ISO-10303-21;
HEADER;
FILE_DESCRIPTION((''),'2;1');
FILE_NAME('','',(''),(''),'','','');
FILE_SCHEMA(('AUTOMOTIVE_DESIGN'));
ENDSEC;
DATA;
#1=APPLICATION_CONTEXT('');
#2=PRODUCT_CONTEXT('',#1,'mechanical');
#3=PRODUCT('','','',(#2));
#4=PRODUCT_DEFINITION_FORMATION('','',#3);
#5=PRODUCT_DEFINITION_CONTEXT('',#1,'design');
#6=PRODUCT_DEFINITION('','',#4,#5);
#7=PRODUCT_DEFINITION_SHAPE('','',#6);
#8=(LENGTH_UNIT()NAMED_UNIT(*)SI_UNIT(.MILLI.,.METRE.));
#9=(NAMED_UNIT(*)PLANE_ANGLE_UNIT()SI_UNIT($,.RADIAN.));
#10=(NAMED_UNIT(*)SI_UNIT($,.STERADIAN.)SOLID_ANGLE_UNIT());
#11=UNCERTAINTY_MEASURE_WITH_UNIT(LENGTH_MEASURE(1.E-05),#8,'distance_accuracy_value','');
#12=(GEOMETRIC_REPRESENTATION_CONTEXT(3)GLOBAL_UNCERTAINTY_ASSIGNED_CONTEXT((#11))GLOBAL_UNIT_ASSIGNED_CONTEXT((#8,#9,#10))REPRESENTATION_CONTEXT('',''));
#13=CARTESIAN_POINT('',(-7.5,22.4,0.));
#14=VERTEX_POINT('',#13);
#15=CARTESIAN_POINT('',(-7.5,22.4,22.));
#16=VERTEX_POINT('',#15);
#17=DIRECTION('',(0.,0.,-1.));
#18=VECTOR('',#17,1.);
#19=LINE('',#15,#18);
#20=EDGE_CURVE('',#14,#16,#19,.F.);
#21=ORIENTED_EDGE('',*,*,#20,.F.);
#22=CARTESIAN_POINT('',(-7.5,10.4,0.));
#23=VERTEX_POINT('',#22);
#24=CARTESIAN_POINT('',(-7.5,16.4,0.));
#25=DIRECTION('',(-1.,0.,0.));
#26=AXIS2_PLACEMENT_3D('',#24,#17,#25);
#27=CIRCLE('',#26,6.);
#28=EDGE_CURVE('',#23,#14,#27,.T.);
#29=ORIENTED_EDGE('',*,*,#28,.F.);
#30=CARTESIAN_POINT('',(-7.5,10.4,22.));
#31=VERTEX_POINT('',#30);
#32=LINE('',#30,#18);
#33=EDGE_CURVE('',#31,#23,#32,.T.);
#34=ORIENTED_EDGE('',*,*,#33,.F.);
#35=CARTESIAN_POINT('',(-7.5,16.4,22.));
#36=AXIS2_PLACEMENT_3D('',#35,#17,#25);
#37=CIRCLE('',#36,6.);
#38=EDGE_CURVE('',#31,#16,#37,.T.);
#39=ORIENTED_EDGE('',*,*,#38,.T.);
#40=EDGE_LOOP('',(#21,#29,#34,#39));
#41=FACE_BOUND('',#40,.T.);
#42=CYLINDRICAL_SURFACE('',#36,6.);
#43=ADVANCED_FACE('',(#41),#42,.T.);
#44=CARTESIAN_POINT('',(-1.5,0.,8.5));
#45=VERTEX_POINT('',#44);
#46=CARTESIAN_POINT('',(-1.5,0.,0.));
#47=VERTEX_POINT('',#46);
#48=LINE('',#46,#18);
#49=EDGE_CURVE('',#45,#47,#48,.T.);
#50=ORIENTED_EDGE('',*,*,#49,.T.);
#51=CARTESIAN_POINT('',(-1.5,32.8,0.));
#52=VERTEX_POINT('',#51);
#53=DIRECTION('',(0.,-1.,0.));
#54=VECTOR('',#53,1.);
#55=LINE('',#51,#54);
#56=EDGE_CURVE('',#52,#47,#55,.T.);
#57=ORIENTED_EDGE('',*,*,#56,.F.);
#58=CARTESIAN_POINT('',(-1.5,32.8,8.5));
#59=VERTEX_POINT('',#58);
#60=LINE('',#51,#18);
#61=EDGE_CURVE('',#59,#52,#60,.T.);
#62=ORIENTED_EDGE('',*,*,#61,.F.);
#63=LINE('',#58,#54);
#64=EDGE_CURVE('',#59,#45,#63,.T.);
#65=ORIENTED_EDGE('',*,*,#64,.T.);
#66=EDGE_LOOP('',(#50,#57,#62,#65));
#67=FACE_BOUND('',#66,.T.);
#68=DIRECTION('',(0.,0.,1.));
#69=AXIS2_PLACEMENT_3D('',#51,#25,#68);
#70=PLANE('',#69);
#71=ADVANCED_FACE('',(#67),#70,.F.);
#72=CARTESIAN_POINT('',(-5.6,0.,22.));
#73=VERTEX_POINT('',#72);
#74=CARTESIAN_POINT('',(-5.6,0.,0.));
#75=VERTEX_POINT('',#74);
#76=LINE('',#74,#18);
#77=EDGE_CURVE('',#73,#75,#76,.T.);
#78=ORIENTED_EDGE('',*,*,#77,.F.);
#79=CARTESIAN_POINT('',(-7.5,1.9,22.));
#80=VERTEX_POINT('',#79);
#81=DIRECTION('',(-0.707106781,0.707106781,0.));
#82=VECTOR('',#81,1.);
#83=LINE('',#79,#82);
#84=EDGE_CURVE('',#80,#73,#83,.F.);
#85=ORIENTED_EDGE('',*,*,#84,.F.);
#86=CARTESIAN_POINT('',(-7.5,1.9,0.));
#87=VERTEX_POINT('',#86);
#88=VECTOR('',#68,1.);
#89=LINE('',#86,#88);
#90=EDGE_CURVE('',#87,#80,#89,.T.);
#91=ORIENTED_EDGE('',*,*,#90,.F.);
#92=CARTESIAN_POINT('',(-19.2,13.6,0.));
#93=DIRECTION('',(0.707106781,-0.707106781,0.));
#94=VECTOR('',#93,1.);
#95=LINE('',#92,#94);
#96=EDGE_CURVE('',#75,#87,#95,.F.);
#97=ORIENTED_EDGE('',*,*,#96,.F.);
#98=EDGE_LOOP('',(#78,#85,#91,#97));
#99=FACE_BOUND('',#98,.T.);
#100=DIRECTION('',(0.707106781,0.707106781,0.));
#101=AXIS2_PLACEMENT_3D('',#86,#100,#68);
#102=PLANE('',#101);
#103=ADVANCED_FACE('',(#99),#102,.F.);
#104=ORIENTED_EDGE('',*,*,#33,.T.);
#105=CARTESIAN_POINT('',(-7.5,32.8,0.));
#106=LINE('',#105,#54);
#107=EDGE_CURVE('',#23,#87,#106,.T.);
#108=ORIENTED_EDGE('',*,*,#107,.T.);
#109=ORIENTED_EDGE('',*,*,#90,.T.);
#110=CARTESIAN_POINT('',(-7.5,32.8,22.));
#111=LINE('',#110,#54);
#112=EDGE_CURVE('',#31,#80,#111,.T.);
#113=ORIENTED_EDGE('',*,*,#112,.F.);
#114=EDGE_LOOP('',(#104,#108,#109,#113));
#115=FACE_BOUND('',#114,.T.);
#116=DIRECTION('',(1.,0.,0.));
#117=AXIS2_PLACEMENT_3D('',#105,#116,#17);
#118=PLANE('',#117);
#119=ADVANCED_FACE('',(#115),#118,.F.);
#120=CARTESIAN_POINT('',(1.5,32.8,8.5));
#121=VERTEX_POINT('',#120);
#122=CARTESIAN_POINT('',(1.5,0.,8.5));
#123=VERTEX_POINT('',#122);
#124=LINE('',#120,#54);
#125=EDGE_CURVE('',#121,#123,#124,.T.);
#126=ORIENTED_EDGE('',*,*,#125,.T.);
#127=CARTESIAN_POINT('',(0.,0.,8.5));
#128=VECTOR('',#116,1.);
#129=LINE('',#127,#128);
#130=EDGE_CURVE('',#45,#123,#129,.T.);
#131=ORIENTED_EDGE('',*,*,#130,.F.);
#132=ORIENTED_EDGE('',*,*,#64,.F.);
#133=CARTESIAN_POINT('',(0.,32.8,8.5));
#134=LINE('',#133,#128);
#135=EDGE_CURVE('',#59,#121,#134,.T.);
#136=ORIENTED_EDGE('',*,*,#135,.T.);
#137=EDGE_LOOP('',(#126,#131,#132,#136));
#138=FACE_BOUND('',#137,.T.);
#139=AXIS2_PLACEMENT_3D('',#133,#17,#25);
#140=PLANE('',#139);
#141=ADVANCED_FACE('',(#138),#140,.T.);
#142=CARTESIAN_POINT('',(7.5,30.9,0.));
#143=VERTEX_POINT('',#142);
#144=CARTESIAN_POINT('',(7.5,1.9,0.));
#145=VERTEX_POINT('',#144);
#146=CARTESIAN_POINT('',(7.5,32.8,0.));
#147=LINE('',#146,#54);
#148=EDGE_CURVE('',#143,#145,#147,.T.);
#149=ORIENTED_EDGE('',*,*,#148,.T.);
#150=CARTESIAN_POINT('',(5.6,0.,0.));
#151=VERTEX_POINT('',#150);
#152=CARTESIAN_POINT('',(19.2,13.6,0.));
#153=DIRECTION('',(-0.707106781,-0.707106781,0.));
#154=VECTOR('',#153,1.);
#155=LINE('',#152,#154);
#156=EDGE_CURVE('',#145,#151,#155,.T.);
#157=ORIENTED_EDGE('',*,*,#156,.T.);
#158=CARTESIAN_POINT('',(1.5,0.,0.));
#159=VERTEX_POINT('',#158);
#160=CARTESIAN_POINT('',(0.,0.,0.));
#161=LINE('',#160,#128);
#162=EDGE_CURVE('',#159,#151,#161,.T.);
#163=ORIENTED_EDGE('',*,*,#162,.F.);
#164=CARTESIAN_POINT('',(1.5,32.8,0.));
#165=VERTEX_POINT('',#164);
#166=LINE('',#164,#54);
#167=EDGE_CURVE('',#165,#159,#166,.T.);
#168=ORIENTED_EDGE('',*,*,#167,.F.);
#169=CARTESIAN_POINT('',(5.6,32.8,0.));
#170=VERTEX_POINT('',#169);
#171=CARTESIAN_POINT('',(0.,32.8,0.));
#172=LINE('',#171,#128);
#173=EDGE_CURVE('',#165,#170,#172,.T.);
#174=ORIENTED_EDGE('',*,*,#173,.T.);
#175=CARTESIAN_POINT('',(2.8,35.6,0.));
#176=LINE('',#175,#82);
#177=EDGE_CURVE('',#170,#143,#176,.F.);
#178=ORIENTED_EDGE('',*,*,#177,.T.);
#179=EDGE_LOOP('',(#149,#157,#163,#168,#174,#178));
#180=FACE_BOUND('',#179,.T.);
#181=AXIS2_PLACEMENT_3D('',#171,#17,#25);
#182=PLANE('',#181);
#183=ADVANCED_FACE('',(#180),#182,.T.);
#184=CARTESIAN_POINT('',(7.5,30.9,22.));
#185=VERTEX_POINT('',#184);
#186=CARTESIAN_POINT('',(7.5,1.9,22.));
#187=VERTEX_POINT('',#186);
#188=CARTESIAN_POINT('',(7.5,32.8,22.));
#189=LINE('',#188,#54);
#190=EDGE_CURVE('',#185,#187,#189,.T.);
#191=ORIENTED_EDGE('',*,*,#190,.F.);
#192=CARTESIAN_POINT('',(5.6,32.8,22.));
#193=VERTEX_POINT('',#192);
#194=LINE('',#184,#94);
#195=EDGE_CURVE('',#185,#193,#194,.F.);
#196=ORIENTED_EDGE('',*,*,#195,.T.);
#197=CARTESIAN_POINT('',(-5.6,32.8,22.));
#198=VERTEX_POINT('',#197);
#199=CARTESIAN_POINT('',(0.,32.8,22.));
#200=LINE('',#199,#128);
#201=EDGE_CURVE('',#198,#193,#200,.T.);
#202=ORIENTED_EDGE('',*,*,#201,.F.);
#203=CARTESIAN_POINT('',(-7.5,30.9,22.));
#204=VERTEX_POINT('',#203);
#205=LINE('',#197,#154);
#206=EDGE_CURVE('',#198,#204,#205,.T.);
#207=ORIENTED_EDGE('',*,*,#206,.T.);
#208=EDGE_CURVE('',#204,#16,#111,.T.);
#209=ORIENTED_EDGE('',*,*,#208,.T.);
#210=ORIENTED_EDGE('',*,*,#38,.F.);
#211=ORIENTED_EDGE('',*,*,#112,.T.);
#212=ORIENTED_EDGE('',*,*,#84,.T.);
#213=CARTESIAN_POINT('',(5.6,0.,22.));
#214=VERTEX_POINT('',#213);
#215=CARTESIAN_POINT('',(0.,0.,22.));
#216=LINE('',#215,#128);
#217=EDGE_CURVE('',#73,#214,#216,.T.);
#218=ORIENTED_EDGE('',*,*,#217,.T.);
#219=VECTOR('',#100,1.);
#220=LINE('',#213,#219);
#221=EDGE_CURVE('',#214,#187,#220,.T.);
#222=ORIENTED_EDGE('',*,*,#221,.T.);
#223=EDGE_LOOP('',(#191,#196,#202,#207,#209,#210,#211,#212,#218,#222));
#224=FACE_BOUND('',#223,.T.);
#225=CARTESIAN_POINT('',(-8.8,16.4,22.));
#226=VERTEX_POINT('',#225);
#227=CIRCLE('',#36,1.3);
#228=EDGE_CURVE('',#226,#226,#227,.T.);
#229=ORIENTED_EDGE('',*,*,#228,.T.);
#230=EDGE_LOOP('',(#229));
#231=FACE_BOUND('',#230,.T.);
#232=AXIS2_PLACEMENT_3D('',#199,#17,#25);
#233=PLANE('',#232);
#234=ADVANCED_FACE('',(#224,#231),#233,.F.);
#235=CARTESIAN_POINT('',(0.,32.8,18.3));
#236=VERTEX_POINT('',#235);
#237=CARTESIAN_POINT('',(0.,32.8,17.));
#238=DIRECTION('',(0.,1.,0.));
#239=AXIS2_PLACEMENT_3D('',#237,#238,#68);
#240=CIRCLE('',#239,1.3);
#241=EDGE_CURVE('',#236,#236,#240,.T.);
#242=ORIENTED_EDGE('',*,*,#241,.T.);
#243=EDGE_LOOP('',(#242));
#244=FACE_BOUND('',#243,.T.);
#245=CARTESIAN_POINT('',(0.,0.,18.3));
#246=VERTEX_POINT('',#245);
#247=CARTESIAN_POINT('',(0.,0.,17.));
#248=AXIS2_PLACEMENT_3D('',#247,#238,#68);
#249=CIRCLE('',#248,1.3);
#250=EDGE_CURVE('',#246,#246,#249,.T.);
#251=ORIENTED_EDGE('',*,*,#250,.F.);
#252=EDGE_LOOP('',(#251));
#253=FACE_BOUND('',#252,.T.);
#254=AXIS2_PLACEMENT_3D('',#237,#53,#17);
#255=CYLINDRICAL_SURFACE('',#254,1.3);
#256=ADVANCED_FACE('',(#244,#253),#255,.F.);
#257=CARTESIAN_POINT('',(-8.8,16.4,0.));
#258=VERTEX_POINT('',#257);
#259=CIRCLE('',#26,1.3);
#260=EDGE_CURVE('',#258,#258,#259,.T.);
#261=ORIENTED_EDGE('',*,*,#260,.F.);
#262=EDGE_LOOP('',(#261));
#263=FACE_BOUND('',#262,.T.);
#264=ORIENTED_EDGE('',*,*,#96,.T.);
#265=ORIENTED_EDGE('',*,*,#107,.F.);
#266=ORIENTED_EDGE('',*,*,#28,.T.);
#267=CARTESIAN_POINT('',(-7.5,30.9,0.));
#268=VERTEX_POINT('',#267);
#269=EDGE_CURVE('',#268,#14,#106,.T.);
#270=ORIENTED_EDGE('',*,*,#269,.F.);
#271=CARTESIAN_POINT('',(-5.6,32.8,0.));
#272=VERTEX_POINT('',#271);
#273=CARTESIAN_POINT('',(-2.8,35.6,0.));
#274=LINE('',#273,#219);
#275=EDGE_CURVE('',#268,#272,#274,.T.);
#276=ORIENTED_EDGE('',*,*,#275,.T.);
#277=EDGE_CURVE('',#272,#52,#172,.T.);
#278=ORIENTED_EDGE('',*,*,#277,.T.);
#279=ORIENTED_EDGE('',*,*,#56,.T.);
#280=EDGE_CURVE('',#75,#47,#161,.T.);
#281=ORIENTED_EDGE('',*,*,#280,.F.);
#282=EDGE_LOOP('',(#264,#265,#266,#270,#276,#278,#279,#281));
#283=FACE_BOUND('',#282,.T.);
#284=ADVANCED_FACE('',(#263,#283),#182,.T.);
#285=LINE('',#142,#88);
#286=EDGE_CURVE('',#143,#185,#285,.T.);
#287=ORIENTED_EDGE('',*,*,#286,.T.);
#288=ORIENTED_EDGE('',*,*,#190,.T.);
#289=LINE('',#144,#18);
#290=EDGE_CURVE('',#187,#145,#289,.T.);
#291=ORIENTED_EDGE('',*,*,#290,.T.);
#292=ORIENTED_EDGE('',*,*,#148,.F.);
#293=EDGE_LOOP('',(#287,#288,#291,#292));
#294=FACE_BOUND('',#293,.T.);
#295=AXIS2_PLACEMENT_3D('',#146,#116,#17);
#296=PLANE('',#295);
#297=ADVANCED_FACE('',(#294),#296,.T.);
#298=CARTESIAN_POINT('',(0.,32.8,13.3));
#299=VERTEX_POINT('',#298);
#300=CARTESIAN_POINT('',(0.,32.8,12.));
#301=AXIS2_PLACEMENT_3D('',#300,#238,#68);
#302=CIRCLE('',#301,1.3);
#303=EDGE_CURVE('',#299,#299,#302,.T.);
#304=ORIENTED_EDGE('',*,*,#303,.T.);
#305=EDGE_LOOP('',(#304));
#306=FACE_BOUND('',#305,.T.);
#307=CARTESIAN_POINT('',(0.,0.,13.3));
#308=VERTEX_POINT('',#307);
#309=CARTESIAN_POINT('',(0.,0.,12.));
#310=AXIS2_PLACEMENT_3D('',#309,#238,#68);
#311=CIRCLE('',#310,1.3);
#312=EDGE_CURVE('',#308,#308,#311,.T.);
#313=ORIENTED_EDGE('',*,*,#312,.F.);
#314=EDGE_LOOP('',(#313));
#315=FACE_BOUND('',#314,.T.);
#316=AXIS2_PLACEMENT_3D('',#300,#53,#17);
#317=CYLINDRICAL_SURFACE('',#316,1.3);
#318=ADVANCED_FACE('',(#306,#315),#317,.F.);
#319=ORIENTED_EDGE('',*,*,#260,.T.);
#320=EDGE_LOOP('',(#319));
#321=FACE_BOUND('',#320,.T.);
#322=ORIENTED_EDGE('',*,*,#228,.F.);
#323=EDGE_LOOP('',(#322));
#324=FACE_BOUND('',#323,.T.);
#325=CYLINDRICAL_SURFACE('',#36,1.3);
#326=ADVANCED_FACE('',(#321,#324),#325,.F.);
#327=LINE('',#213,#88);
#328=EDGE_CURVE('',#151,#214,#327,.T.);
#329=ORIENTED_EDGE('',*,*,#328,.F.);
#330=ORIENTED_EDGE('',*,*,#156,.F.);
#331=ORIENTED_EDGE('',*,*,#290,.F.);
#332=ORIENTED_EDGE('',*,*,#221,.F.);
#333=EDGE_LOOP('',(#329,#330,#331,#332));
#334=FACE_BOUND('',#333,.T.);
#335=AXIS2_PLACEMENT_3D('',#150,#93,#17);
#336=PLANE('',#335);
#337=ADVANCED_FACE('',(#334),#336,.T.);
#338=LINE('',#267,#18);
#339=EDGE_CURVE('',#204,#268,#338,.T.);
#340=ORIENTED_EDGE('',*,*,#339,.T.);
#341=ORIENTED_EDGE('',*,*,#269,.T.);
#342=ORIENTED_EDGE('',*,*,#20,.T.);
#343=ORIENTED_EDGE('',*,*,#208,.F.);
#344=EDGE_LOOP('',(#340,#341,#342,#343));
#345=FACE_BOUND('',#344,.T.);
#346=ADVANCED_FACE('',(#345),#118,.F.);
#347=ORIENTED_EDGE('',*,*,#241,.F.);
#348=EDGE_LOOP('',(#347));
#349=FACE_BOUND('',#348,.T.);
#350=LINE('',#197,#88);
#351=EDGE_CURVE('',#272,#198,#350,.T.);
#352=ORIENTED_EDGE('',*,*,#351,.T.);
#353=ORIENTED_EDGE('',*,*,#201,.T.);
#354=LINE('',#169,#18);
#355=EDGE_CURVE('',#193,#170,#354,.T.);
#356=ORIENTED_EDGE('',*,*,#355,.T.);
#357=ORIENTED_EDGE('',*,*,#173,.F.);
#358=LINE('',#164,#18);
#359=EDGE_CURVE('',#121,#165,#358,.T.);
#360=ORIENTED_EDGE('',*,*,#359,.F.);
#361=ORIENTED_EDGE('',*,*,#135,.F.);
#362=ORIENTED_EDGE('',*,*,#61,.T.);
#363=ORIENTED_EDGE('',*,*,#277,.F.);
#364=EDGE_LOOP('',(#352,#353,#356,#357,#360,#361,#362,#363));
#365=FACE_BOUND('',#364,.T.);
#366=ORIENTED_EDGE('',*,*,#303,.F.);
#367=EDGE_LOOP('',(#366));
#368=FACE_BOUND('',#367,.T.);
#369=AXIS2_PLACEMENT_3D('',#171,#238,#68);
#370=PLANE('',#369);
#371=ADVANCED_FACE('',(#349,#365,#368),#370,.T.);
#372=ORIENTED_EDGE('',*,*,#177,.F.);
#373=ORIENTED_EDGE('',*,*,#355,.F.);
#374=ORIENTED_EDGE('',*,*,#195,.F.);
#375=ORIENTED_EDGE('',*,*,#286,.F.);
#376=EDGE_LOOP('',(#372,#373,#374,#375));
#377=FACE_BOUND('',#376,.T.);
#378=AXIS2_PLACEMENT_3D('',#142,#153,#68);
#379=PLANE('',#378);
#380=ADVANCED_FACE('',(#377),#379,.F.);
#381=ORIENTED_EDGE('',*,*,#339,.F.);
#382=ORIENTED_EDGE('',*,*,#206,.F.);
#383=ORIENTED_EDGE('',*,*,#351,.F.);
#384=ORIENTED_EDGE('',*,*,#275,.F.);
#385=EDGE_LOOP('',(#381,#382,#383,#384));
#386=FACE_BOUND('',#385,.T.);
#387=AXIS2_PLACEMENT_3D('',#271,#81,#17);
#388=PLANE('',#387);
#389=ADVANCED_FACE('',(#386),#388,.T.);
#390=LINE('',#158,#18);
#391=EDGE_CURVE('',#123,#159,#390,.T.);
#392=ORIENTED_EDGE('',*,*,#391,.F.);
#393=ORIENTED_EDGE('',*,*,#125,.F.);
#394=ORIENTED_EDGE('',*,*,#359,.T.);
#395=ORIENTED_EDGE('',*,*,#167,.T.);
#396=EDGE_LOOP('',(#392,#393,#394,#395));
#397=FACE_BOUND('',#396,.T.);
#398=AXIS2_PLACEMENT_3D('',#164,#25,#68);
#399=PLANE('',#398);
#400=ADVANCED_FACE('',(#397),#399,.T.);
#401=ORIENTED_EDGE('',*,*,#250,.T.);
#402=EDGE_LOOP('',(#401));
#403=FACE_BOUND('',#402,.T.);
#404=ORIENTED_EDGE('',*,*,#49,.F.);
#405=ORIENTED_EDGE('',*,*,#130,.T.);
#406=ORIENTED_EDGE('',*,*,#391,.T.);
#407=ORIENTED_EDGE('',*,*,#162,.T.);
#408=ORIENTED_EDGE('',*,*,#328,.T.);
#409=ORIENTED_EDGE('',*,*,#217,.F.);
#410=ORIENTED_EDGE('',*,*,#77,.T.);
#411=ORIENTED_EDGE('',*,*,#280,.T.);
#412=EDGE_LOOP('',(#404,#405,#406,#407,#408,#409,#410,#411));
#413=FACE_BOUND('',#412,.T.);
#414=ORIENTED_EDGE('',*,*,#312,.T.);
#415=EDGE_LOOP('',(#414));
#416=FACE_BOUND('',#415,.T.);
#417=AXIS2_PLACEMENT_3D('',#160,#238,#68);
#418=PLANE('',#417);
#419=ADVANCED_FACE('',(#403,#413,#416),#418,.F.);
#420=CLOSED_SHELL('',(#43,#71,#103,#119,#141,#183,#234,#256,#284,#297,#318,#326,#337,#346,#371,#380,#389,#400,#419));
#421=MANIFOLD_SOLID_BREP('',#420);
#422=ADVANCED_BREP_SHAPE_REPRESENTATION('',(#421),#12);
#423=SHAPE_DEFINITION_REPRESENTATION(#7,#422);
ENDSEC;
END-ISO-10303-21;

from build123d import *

# Parameters (mm, degrees)
SKETCH1_R               = 1.3
BOSS_EXTRUDE1_DEPTH     = 32.8
CHAMFER1_SIZE           = 1.9
CHAMFER2_SIZE           = 1.9
SKETCH2_R               = 6
BOSS_EXTRUDE2_DEPTH     = 22
SKETCH3_R               = 1.3
CUT_EXTRUDE1_DEPTH      = 1
CUT_EXTRUDE1_DEPTH_BACK = 23


with BuildPart() as part:
    # Sketch1 → Boss-Extrude1 (new body)
    with BuildSketch(Plane(origin=(0, 0, 0), x_dir=(1, 0, 0), z_dir=(0, 1, 0))):
        Polygon((-1.5, 0), (-7.5, 0), (-7.5, -22), (7.5, -22), (7.5, 0), (1.5, 0), (1.5, -8.5), (-1.5, -8.5), align=None)
        with Locations((0, -17)):
            Circle(SKETCH1_R, mode=Mode.SUBTRACT)
        with Locations((0, -12)):
            Circle(SKETCH1_R, mode=Mode.SUBTRACT)
    extrude(amount=BOSS_EXTRUDE1_DEPTH)

    # Chamfer1
    chamfer1_edges = [part.edges().sort_by_distance(p)[0] for p in [
        (7.5, 0, 11),
        (7.5, 32.8, 11),
    ]]
    chamfer(chamfer1_edges, length=CHAMFER1_SIZE)

    # Chamfer2
    chamfer2_edges = [part.edges().sort_by_distance(p)[0] for p in [
        (-7.5, 0, 11),
        (-7.5, 32.8, 11),
    ]]
    chamfer(chamfer2_edges, length=CHAMFER2_SIZE)

    # Sketch2 → Boss-Extrude2 (add)
    with BuildSketch(Plane(origin=(0, 0, 0), x_dir=(-1, 0, 0), z_dir=(0, 0, -1))):
        with Locations((7.5, 16.4)):
            Circle(SKETCH2_R)
    extrude(amount=-BOSS_EXTRUDE2_DEPTH)

    # Sketch3 → Cut-Extrude1 (cut, two sides)
    with BuildSketch(Plane(origin=(0, 0, 0), x_dir=(-1, 0, 0), z_dir=(0, 0, -1))) as cut_extrude1_sk:
        with Locations((7.5, 16.4)):
            Circle(SKETCH3_R)
    extrude(amount=CUT_EXTRUDE1_DEPTH, mode=Mode.SUBTRACT)
    extrude(cut_extrude1_sk.sketch, amount=-CUT_EXTRUDE1_DEPTH_BACK, mode=Mode.SUBTRACT)


solid = part.part
